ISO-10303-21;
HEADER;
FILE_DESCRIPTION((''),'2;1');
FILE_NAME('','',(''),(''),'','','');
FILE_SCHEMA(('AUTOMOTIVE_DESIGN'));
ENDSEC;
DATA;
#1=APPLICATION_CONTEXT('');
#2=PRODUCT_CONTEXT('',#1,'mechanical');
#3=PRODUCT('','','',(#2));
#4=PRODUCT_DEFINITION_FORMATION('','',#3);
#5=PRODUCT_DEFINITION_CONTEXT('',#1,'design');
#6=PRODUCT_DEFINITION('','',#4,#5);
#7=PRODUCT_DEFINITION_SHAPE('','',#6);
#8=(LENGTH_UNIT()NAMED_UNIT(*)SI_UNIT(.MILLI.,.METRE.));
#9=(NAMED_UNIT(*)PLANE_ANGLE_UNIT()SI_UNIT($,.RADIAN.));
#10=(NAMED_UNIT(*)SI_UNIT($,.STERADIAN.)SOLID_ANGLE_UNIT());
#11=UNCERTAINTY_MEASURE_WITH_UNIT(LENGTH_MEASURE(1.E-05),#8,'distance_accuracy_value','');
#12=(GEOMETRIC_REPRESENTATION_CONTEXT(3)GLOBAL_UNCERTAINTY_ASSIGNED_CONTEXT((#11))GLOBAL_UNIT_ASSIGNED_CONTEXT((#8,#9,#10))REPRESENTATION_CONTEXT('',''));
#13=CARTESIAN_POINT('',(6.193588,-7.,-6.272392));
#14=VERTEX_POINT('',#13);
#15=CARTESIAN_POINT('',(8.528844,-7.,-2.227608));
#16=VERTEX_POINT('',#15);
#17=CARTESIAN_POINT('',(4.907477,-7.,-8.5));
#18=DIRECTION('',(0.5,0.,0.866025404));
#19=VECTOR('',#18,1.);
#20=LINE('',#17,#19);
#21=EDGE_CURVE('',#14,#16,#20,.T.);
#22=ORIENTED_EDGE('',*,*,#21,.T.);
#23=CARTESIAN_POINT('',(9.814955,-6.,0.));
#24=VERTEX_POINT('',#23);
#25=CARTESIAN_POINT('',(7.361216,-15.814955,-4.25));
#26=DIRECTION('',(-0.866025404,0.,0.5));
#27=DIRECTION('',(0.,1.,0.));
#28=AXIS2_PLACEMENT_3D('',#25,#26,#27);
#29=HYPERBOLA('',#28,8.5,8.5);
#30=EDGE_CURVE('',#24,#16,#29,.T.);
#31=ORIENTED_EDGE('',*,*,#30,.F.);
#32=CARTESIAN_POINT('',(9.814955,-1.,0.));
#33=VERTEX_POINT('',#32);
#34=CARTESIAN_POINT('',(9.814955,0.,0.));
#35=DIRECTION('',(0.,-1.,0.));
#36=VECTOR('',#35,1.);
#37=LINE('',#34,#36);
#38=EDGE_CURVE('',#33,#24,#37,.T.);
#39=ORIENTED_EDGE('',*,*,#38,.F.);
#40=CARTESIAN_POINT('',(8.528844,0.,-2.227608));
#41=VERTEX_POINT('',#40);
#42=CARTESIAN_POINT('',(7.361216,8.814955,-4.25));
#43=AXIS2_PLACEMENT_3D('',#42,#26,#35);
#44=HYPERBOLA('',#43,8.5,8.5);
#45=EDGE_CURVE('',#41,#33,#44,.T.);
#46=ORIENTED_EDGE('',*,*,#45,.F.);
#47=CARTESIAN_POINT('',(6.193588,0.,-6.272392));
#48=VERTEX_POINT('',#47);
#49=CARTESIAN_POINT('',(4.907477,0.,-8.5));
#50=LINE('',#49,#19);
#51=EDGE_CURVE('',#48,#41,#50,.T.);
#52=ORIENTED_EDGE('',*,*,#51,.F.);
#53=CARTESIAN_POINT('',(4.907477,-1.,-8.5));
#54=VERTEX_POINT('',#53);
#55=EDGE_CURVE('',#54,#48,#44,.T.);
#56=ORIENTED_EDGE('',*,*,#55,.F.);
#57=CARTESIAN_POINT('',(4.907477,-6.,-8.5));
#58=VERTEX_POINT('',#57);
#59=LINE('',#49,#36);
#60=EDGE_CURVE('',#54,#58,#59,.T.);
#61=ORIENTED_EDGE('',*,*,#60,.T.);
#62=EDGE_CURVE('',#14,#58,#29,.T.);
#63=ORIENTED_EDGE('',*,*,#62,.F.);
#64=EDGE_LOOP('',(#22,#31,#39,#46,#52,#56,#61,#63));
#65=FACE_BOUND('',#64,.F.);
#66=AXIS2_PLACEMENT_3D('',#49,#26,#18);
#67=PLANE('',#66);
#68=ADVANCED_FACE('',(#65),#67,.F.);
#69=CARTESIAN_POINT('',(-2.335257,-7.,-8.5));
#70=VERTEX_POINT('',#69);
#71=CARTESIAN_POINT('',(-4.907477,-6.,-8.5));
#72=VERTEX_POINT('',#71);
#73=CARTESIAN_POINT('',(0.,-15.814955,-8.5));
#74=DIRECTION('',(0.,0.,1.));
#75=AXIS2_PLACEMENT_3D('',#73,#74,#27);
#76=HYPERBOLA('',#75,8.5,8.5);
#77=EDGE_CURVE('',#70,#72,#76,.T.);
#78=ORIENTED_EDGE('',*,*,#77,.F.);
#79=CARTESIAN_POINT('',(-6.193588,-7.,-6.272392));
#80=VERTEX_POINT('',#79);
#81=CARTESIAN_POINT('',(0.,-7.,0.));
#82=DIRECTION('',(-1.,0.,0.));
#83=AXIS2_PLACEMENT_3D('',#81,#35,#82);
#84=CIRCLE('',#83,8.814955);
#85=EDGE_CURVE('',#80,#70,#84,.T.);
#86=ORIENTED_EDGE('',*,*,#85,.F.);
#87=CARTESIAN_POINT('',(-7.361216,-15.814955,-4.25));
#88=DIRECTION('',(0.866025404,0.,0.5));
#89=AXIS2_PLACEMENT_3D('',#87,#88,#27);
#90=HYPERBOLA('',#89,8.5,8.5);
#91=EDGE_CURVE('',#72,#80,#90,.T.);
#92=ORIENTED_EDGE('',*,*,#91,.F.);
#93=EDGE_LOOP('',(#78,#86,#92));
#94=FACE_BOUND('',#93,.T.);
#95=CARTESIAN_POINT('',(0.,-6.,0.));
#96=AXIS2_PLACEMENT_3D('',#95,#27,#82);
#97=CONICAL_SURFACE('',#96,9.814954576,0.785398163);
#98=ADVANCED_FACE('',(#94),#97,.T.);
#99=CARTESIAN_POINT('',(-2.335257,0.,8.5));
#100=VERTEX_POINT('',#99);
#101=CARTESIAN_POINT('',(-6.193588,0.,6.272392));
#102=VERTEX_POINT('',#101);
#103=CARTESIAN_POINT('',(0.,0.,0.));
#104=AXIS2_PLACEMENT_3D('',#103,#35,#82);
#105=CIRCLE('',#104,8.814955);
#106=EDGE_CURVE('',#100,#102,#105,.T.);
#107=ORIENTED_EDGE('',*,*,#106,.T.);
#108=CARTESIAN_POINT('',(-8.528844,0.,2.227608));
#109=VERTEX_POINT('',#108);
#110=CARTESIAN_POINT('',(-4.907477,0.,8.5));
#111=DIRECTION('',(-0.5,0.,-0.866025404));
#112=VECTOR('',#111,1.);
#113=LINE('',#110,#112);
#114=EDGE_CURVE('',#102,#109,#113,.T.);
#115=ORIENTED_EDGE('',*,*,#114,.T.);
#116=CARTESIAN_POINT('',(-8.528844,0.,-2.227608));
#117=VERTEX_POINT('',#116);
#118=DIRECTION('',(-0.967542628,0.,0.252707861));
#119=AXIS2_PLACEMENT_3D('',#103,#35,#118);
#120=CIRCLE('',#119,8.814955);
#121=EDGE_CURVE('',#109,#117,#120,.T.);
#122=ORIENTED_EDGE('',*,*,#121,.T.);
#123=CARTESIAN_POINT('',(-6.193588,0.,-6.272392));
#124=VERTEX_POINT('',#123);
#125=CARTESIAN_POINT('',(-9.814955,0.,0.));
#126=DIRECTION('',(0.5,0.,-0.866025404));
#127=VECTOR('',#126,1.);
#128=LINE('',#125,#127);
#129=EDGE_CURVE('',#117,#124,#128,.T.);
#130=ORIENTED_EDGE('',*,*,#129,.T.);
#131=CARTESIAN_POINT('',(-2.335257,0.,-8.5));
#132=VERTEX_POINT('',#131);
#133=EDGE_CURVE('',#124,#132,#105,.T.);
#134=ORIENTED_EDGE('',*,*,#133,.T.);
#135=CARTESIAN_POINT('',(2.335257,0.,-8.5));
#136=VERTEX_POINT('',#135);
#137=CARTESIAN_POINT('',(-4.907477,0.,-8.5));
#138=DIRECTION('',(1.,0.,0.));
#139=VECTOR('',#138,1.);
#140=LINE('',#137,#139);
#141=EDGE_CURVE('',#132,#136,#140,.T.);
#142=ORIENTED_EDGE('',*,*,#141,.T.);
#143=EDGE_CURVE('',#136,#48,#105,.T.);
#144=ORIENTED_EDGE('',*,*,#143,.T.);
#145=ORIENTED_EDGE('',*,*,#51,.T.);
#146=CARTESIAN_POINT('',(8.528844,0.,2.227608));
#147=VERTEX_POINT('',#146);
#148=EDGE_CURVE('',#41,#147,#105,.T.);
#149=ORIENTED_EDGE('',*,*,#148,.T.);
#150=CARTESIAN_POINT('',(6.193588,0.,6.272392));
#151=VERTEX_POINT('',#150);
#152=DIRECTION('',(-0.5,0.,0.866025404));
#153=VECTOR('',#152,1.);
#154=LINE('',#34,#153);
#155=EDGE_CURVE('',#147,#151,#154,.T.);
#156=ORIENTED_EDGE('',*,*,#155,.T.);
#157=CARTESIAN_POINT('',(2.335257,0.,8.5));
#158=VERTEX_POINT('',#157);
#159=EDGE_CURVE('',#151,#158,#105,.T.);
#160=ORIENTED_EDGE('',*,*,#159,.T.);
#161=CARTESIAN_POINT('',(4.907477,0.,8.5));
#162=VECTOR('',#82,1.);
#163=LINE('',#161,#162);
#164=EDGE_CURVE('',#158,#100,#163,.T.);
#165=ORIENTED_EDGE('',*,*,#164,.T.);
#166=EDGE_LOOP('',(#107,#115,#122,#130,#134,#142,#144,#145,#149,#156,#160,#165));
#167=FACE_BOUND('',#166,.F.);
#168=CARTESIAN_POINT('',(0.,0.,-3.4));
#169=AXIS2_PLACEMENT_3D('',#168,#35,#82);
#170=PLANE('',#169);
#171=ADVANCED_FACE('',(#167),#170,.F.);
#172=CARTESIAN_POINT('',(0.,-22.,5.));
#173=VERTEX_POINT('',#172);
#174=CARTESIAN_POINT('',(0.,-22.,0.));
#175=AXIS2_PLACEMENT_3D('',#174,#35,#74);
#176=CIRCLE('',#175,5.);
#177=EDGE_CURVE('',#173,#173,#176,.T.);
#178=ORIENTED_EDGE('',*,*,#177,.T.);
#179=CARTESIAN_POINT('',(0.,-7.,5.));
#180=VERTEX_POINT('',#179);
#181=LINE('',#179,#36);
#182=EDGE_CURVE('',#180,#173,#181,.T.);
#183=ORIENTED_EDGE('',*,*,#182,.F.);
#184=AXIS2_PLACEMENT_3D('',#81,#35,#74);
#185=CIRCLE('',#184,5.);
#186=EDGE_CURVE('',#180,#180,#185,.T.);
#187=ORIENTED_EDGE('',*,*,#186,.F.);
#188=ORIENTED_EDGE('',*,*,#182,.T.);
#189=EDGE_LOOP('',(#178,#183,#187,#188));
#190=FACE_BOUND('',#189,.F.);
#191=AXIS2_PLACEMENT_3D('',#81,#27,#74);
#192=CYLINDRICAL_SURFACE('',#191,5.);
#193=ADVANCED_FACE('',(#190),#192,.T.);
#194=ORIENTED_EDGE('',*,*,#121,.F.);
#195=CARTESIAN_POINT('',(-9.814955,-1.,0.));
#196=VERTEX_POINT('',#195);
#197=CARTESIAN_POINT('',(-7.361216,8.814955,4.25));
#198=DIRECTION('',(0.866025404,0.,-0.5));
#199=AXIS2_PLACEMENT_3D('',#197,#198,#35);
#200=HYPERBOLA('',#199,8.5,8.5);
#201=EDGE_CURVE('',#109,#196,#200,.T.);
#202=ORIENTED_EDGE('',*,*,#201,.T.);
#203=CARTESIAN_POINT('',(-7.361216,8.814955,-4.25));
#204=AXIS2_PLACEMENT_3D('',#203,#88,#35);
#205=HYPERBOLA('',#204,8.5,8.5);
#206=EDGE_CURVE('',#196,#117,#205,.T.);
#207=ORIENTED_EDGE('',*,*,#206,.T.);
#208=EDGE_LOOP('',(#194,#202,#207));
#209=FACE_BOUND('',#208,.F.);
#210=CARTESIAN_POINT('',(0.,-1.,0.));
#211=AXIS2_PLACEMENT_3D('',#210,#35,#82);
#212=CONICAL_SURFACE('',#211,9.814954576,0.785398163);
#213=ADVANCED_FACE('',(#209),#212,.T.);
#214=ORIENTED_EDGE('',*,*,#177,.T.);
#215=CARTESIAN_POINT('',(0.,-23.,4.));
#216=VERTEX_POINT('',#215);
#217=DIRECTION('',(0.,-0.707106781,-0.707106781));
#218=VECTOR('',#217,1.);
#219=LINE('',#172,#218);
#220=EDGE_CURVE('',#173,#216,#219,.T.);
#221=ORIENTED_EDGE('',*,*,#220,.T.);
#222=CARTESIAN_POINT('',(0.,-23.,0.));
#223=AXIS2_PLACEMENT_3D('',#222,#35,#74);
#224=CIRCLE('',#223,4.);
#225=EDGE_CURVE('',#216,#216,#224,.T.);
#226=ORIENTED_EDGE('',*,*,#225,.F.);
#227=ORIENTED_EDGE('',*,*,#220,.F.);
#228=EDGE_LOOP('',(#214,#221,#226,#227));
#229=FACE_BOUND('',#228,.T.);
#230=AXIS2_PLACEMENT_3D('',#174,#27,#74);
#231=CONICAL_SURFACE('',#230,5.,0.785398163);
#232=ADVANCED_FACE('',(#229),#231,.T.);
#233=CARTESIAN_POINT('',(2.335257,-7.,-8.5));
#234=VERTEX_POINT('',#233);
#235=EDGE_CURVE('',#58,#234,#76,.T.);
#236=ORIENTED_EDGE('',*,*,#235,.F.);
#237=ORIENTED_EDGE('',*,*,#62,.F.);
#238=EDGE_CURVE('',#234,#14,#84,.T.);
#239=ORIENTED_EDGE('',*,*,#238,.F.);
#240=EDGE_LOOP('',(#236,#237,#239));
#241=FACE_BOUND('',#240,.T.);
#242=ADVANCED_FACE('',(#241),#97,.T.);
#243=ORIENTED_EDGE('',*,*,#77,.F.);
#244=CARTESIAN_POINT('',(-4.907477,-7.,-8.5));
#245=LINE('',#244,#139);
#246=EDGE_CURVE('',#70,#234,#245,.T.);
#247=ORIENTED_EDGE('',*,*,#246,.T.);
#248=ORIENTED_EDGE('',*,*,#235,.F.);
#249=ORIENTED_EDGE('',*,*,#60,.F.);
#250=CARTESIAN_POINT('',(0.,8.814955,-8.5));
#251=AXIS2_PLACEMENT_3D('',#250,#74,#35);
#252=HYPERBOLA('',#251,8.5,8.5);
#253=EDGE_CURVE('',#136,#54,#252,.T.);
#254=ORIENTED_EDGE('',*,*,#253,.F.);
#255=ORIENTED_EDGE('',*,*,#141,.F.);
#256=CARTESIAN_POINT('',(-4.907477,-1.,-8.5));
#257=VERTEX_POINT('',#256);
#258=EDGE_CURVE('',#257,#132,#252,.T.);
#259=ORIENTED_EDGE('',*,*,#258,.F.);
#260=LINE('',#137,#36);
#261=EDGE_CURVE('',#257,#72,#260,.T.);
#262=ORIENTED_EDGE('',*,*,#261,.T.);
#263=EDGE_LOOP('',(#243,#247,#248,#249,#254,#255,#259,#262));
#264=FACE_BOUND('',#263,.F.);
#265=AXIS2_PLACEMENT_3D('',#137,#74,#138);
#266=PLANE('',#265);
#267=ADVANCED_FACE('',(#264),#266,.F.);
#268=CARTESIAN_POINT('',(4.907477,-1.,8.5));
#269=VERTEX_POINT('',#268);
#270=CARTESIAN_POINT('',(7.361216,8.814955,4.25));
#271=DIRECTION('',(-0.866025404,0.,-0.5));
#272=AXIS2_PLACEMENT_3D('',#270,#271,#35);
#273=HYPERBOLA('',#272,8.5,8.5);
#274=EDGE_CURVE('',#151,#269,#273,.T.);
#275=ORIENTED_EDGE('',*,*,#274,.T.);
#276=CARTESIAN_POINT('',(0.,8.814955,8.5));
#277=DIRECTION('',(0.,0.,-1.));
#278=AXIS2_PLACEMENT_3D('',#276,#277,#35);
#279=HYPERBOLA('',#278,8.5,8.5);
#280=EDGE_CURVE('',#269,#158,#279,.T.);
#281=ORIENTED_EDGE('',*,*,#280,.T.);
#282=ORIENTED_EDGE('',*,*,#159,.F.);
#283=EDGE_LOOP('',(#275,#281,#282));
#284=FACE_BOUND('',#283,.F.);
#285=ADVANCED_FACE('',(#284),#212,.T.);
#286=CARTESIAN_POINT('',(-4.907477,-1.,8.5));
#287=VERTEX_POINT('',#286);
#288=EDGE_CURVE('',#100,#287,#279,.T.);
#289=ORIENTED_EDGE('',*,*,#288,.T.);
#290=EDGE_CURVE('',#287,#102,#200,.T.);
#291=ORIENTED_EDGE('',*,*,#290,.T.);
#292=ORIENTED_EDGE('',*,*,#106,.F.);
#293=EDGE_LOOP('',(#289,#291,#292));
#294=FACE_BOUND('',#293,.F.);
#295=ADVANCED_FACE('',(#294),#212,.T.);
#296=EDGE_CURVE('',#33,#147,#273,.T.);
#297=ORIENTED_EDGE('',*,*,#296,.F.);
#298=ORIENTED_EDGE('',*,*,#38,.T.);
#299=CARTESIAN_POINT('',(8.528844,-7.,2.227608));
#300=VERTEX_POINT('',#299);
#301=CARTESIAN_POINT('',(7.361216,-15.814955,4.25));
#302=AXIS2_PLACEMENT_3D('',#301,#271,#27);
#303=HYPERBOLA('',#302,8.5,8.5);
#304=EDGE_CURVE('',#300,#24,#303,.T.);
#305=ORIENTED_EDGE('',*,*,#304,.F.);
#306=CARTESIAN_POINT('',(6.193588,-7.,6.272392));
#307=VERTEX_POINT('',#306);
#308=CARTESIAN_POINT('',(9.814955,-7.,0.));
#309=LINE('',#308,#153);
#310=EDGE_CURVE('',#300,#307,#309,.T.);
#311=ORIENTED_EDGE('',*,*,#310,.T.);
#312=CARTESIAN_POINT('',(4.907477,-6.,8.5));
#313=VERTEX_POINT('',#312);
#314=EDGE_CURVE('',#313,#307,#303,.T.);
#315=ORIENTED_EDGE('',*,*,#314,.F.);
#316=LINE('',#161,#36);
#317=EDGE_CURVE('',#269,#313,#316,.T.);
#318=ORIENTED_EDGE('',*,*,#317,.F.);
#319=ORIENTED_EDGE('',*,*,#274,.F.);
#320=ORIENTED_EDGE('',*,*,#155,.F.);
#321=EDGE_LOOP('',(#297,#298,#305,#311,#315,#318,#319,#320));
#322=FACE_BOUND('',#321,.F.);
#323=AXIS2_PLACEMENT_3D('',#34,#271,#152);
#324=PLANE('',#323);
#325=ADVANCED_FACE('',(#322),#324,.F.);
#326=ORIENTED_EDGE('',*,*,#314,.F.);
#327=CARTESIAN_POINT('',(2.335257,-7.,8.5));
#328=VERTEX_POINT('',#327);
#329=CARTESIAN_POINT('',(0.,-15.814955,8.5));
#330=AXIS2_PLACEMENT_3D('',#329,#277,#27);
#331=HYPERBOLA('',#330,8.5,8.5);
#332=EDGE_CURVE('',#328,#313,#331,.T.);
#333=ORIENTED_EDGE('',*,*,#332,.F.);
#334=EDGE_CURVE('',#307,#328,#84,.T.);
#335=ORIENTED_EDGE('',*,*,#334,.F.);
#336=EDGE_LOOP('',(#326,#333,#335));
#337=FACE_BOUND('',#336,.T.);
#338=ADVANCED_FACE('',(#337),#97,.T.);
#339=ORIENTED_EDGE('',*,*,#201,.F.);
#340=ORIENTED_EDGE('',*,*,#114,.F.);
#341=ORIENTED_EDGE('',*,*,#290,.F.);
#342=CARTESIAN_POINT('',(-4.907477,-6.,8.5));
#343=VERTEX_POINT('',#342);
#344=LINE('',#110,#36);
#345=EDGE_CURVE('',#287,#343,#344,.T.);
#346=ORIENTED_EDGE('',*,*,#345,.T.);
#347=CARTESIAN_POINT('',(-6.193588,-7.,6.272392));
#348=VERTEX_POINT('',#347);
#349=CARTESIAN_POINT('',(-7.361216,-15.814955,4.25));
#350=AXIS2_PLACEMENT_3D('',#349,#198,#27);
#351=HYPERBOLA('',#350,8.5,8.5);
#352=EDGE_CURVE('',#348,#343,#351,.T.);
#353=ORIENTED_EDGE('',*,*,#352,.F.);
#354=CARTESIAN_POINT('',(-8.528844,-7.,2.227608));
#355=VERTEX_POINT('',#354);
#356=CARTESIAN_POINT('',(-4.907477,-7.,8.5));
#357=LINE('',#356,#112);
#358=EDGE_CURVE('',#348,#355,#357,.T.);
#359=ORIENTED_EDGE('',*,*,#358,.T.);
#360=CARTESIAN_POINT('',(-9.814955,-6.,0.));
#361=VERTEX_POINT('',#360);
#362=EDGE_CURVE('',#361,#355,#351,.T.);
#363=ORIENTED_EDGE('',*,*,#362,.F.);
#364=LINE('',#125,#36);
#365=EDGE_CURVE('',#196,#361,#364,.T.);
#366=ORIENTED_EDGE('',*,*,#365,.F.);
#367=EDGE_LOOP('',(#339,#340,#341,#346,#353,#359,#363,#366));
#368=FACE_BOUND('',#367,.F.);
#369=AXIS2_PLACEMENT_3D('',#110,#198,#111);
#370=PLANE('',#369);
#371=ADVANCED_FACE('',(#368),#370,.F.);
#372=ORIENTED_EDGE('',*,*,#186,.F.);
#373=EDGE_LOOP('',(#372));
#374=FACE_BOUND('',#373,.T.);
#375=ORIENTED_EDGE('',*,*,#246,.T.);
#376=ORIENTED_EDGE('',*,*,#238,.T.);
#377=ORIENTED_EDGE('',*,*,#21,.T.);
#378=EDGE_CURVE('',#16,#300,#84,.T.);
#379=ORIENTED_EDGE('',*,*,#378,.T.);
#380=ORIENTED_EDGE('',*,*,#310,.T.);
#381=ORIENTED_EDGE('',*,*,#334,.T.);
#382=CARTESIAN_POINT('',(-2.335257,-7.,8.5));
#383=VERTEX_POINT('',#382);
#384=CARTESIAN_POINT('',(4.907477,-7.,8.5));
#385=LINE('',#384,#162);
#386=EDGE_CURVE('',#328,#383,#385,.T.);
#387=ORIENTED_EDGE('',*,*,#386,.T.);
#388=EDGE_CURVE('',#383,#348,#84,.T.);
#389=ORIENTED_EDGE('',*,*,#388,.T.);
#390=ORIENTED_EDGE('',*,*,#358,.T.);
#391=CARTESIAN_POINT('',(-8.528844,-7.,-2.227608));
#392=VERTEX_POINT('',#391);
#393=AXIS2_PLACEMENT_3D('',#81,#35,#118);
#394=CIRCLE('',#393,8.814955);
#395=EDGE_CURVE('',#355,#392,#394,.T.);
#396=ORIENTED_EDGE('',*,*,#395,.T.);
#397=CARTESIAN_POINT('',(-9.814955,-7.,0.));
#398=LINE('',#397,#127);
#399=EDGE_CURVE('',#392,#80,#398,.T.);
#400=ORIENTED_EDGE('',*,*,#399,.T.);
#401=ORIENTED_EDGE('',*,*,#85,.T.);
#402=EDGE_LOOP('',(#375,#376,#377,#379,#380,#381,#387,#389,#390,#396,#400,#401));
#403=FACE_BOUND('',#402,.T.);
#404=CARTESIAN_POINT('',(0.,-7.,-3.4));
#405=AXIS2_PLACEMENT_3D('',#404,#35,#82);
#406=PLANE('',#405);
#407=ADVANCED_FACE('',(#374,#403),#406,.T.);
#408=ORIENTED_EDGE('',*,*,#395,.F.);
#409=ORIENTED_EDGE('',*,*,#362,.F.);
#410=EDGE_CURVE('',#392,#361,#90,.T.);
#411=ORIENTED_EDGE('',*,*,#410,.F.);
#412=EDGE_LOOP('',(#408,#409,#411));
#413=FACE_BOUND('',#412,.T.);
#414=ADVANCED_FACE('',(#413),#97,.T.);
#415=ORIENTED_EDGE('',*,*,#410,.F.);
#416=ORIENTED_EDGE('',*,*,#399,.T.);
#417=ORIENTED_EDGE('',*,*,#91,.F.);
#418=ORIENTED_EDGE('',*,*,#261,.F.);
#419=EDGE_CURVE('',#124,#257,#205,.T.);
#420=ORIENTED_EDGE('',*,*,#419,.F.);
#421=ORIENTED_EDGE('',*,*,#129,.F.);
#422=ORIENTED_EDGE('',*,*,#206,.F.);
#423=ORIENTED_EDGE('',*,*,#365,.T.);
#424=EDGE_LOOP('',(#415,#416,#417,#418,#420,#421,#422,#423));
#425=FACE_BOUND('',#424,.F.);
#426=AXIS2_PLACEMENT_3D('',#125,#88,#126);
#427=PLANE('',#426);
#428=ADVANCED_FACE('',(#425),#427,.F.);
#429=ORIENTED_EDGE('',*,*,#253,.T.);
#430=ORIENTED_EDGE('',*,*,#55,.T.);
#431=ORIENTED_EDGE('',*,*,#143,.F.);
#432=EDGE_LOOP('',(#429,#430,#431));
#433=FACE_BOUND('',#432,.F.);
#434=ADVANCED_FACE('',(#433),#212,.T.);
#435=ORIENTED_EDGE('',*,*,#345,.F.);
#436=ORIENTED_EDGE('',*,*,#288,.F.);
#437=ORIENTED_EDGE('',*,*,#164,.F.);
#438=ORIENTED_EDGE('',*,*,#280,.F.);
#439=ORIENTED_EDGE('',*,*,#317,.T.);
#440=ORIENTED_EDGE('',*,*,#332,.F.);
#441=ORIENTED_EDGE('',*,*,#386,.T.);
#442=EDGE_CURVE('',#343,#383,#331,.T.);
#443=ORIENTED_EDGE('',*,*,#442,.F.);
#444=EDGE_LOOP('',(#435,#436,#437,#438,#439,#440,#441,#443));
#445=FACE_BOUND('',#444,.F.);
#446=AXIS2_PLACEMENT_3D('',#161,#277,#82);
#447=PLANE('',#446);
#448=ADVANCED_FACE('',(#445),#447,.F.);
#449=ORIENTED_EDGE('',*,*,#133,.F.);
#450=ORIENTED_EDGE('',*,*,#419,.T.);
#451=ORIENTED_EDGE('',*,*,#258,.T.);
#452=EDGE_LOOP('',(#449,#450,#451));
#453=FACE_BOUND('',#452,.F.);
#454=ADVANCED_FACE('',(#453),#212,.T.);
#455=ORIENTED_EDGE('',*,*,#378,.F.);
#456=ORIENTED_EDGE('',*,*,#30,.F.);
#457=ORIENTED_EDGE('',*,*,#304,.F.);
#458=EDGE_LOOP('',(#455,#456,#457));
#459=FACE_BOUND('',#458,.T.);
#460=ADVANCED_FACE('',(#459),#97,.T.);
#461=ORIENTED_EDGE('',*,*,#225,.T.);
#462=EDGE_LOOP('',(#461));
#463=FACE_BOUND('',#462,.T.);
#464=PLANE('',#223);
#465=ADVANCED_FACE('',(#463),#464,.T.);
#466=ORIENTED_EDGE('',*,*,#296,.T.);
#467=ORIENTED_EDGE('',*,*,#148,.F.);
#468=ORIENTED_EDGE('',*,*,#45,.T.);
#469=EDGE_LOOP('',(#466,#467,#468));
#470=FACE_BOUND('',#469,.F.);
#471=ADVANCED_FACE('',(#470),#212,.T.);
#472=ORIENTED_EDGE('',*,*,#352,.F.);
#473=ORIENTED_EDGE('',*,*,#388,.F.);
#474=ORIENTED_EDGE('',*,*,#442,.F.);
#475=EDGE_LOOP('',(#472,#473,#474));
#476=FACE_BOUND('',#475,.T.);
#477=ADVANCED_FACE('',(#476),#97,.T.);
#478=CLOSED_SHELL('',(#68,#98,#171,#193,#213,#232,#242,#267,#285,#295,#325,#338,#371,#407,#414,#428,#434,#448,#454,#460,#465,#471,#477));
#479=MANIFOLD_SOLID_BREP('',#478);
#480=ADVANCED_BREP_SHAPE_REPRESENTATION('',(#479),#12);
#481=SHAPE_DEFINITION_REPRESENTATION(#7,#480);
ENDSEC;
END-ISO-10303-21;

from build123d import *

# Parameters (mm, degrees)
EXTRUDE_1_DEPTH = 7
SKETCH_5_R      = 5
EXTRUDE_2_DEPTH = 16
CHAMFER_1_SIZE  = 1


with BuildPart() as part:
    # Эскиз1 → Вытянуть1 (new body)
    with BuildSketch(Plane(origin=(0, 0, 0), x_dir=(1, 0, 0), z_dir=(0, 1, 0))):
        Polygon((-9.814954576, 0), (-4.907477288, 8.5), (4.907477288, 8.5), (9.814954576, 0), align=None)
        Polygon((-9.814954576, 0), (9.814954576, 0), (4.907477288, -8.5), (-4.907477288, -8.5), align=None)
    extrude(amount=-EXTRUDE_1_DEPTH)

    # Эскиз5 → Вытянуть2 (add)
    with BuildSketch(Plane.XZ.offset(7)):
        with Locations(Location((0, 0, 0), (0, 0, 90))):
            Circle(SKETCH_5_R)
    extrude(amount=EXTRUDE_2_DEPTH)

    # Эскиз4 → Вырез-Повернуть1 (revolve, cut)
    with BuildSketch(Plane.XY):
        Polygon((-9.814954576, -1), (-8.814954576, 0), (-9.814954576, 0), align=None)
        Polygon((-9.814954576, -6), (-8.814954576, -7), (-9.814954576, -7), align=None)
    revolve(axis=Axis((0, -7, 0), (0, -1, 0)), mode=Mode.SUBTRACT)

    # Фаска1
    chamfer_1_edges = [part.edges().sort_by_distance(p)[0] for p in [
        (0, -23, -5),
    ]]
    chamfer(chamfer_1_edges, length=CHAMFER_1_SIZE)


solid = part.part
